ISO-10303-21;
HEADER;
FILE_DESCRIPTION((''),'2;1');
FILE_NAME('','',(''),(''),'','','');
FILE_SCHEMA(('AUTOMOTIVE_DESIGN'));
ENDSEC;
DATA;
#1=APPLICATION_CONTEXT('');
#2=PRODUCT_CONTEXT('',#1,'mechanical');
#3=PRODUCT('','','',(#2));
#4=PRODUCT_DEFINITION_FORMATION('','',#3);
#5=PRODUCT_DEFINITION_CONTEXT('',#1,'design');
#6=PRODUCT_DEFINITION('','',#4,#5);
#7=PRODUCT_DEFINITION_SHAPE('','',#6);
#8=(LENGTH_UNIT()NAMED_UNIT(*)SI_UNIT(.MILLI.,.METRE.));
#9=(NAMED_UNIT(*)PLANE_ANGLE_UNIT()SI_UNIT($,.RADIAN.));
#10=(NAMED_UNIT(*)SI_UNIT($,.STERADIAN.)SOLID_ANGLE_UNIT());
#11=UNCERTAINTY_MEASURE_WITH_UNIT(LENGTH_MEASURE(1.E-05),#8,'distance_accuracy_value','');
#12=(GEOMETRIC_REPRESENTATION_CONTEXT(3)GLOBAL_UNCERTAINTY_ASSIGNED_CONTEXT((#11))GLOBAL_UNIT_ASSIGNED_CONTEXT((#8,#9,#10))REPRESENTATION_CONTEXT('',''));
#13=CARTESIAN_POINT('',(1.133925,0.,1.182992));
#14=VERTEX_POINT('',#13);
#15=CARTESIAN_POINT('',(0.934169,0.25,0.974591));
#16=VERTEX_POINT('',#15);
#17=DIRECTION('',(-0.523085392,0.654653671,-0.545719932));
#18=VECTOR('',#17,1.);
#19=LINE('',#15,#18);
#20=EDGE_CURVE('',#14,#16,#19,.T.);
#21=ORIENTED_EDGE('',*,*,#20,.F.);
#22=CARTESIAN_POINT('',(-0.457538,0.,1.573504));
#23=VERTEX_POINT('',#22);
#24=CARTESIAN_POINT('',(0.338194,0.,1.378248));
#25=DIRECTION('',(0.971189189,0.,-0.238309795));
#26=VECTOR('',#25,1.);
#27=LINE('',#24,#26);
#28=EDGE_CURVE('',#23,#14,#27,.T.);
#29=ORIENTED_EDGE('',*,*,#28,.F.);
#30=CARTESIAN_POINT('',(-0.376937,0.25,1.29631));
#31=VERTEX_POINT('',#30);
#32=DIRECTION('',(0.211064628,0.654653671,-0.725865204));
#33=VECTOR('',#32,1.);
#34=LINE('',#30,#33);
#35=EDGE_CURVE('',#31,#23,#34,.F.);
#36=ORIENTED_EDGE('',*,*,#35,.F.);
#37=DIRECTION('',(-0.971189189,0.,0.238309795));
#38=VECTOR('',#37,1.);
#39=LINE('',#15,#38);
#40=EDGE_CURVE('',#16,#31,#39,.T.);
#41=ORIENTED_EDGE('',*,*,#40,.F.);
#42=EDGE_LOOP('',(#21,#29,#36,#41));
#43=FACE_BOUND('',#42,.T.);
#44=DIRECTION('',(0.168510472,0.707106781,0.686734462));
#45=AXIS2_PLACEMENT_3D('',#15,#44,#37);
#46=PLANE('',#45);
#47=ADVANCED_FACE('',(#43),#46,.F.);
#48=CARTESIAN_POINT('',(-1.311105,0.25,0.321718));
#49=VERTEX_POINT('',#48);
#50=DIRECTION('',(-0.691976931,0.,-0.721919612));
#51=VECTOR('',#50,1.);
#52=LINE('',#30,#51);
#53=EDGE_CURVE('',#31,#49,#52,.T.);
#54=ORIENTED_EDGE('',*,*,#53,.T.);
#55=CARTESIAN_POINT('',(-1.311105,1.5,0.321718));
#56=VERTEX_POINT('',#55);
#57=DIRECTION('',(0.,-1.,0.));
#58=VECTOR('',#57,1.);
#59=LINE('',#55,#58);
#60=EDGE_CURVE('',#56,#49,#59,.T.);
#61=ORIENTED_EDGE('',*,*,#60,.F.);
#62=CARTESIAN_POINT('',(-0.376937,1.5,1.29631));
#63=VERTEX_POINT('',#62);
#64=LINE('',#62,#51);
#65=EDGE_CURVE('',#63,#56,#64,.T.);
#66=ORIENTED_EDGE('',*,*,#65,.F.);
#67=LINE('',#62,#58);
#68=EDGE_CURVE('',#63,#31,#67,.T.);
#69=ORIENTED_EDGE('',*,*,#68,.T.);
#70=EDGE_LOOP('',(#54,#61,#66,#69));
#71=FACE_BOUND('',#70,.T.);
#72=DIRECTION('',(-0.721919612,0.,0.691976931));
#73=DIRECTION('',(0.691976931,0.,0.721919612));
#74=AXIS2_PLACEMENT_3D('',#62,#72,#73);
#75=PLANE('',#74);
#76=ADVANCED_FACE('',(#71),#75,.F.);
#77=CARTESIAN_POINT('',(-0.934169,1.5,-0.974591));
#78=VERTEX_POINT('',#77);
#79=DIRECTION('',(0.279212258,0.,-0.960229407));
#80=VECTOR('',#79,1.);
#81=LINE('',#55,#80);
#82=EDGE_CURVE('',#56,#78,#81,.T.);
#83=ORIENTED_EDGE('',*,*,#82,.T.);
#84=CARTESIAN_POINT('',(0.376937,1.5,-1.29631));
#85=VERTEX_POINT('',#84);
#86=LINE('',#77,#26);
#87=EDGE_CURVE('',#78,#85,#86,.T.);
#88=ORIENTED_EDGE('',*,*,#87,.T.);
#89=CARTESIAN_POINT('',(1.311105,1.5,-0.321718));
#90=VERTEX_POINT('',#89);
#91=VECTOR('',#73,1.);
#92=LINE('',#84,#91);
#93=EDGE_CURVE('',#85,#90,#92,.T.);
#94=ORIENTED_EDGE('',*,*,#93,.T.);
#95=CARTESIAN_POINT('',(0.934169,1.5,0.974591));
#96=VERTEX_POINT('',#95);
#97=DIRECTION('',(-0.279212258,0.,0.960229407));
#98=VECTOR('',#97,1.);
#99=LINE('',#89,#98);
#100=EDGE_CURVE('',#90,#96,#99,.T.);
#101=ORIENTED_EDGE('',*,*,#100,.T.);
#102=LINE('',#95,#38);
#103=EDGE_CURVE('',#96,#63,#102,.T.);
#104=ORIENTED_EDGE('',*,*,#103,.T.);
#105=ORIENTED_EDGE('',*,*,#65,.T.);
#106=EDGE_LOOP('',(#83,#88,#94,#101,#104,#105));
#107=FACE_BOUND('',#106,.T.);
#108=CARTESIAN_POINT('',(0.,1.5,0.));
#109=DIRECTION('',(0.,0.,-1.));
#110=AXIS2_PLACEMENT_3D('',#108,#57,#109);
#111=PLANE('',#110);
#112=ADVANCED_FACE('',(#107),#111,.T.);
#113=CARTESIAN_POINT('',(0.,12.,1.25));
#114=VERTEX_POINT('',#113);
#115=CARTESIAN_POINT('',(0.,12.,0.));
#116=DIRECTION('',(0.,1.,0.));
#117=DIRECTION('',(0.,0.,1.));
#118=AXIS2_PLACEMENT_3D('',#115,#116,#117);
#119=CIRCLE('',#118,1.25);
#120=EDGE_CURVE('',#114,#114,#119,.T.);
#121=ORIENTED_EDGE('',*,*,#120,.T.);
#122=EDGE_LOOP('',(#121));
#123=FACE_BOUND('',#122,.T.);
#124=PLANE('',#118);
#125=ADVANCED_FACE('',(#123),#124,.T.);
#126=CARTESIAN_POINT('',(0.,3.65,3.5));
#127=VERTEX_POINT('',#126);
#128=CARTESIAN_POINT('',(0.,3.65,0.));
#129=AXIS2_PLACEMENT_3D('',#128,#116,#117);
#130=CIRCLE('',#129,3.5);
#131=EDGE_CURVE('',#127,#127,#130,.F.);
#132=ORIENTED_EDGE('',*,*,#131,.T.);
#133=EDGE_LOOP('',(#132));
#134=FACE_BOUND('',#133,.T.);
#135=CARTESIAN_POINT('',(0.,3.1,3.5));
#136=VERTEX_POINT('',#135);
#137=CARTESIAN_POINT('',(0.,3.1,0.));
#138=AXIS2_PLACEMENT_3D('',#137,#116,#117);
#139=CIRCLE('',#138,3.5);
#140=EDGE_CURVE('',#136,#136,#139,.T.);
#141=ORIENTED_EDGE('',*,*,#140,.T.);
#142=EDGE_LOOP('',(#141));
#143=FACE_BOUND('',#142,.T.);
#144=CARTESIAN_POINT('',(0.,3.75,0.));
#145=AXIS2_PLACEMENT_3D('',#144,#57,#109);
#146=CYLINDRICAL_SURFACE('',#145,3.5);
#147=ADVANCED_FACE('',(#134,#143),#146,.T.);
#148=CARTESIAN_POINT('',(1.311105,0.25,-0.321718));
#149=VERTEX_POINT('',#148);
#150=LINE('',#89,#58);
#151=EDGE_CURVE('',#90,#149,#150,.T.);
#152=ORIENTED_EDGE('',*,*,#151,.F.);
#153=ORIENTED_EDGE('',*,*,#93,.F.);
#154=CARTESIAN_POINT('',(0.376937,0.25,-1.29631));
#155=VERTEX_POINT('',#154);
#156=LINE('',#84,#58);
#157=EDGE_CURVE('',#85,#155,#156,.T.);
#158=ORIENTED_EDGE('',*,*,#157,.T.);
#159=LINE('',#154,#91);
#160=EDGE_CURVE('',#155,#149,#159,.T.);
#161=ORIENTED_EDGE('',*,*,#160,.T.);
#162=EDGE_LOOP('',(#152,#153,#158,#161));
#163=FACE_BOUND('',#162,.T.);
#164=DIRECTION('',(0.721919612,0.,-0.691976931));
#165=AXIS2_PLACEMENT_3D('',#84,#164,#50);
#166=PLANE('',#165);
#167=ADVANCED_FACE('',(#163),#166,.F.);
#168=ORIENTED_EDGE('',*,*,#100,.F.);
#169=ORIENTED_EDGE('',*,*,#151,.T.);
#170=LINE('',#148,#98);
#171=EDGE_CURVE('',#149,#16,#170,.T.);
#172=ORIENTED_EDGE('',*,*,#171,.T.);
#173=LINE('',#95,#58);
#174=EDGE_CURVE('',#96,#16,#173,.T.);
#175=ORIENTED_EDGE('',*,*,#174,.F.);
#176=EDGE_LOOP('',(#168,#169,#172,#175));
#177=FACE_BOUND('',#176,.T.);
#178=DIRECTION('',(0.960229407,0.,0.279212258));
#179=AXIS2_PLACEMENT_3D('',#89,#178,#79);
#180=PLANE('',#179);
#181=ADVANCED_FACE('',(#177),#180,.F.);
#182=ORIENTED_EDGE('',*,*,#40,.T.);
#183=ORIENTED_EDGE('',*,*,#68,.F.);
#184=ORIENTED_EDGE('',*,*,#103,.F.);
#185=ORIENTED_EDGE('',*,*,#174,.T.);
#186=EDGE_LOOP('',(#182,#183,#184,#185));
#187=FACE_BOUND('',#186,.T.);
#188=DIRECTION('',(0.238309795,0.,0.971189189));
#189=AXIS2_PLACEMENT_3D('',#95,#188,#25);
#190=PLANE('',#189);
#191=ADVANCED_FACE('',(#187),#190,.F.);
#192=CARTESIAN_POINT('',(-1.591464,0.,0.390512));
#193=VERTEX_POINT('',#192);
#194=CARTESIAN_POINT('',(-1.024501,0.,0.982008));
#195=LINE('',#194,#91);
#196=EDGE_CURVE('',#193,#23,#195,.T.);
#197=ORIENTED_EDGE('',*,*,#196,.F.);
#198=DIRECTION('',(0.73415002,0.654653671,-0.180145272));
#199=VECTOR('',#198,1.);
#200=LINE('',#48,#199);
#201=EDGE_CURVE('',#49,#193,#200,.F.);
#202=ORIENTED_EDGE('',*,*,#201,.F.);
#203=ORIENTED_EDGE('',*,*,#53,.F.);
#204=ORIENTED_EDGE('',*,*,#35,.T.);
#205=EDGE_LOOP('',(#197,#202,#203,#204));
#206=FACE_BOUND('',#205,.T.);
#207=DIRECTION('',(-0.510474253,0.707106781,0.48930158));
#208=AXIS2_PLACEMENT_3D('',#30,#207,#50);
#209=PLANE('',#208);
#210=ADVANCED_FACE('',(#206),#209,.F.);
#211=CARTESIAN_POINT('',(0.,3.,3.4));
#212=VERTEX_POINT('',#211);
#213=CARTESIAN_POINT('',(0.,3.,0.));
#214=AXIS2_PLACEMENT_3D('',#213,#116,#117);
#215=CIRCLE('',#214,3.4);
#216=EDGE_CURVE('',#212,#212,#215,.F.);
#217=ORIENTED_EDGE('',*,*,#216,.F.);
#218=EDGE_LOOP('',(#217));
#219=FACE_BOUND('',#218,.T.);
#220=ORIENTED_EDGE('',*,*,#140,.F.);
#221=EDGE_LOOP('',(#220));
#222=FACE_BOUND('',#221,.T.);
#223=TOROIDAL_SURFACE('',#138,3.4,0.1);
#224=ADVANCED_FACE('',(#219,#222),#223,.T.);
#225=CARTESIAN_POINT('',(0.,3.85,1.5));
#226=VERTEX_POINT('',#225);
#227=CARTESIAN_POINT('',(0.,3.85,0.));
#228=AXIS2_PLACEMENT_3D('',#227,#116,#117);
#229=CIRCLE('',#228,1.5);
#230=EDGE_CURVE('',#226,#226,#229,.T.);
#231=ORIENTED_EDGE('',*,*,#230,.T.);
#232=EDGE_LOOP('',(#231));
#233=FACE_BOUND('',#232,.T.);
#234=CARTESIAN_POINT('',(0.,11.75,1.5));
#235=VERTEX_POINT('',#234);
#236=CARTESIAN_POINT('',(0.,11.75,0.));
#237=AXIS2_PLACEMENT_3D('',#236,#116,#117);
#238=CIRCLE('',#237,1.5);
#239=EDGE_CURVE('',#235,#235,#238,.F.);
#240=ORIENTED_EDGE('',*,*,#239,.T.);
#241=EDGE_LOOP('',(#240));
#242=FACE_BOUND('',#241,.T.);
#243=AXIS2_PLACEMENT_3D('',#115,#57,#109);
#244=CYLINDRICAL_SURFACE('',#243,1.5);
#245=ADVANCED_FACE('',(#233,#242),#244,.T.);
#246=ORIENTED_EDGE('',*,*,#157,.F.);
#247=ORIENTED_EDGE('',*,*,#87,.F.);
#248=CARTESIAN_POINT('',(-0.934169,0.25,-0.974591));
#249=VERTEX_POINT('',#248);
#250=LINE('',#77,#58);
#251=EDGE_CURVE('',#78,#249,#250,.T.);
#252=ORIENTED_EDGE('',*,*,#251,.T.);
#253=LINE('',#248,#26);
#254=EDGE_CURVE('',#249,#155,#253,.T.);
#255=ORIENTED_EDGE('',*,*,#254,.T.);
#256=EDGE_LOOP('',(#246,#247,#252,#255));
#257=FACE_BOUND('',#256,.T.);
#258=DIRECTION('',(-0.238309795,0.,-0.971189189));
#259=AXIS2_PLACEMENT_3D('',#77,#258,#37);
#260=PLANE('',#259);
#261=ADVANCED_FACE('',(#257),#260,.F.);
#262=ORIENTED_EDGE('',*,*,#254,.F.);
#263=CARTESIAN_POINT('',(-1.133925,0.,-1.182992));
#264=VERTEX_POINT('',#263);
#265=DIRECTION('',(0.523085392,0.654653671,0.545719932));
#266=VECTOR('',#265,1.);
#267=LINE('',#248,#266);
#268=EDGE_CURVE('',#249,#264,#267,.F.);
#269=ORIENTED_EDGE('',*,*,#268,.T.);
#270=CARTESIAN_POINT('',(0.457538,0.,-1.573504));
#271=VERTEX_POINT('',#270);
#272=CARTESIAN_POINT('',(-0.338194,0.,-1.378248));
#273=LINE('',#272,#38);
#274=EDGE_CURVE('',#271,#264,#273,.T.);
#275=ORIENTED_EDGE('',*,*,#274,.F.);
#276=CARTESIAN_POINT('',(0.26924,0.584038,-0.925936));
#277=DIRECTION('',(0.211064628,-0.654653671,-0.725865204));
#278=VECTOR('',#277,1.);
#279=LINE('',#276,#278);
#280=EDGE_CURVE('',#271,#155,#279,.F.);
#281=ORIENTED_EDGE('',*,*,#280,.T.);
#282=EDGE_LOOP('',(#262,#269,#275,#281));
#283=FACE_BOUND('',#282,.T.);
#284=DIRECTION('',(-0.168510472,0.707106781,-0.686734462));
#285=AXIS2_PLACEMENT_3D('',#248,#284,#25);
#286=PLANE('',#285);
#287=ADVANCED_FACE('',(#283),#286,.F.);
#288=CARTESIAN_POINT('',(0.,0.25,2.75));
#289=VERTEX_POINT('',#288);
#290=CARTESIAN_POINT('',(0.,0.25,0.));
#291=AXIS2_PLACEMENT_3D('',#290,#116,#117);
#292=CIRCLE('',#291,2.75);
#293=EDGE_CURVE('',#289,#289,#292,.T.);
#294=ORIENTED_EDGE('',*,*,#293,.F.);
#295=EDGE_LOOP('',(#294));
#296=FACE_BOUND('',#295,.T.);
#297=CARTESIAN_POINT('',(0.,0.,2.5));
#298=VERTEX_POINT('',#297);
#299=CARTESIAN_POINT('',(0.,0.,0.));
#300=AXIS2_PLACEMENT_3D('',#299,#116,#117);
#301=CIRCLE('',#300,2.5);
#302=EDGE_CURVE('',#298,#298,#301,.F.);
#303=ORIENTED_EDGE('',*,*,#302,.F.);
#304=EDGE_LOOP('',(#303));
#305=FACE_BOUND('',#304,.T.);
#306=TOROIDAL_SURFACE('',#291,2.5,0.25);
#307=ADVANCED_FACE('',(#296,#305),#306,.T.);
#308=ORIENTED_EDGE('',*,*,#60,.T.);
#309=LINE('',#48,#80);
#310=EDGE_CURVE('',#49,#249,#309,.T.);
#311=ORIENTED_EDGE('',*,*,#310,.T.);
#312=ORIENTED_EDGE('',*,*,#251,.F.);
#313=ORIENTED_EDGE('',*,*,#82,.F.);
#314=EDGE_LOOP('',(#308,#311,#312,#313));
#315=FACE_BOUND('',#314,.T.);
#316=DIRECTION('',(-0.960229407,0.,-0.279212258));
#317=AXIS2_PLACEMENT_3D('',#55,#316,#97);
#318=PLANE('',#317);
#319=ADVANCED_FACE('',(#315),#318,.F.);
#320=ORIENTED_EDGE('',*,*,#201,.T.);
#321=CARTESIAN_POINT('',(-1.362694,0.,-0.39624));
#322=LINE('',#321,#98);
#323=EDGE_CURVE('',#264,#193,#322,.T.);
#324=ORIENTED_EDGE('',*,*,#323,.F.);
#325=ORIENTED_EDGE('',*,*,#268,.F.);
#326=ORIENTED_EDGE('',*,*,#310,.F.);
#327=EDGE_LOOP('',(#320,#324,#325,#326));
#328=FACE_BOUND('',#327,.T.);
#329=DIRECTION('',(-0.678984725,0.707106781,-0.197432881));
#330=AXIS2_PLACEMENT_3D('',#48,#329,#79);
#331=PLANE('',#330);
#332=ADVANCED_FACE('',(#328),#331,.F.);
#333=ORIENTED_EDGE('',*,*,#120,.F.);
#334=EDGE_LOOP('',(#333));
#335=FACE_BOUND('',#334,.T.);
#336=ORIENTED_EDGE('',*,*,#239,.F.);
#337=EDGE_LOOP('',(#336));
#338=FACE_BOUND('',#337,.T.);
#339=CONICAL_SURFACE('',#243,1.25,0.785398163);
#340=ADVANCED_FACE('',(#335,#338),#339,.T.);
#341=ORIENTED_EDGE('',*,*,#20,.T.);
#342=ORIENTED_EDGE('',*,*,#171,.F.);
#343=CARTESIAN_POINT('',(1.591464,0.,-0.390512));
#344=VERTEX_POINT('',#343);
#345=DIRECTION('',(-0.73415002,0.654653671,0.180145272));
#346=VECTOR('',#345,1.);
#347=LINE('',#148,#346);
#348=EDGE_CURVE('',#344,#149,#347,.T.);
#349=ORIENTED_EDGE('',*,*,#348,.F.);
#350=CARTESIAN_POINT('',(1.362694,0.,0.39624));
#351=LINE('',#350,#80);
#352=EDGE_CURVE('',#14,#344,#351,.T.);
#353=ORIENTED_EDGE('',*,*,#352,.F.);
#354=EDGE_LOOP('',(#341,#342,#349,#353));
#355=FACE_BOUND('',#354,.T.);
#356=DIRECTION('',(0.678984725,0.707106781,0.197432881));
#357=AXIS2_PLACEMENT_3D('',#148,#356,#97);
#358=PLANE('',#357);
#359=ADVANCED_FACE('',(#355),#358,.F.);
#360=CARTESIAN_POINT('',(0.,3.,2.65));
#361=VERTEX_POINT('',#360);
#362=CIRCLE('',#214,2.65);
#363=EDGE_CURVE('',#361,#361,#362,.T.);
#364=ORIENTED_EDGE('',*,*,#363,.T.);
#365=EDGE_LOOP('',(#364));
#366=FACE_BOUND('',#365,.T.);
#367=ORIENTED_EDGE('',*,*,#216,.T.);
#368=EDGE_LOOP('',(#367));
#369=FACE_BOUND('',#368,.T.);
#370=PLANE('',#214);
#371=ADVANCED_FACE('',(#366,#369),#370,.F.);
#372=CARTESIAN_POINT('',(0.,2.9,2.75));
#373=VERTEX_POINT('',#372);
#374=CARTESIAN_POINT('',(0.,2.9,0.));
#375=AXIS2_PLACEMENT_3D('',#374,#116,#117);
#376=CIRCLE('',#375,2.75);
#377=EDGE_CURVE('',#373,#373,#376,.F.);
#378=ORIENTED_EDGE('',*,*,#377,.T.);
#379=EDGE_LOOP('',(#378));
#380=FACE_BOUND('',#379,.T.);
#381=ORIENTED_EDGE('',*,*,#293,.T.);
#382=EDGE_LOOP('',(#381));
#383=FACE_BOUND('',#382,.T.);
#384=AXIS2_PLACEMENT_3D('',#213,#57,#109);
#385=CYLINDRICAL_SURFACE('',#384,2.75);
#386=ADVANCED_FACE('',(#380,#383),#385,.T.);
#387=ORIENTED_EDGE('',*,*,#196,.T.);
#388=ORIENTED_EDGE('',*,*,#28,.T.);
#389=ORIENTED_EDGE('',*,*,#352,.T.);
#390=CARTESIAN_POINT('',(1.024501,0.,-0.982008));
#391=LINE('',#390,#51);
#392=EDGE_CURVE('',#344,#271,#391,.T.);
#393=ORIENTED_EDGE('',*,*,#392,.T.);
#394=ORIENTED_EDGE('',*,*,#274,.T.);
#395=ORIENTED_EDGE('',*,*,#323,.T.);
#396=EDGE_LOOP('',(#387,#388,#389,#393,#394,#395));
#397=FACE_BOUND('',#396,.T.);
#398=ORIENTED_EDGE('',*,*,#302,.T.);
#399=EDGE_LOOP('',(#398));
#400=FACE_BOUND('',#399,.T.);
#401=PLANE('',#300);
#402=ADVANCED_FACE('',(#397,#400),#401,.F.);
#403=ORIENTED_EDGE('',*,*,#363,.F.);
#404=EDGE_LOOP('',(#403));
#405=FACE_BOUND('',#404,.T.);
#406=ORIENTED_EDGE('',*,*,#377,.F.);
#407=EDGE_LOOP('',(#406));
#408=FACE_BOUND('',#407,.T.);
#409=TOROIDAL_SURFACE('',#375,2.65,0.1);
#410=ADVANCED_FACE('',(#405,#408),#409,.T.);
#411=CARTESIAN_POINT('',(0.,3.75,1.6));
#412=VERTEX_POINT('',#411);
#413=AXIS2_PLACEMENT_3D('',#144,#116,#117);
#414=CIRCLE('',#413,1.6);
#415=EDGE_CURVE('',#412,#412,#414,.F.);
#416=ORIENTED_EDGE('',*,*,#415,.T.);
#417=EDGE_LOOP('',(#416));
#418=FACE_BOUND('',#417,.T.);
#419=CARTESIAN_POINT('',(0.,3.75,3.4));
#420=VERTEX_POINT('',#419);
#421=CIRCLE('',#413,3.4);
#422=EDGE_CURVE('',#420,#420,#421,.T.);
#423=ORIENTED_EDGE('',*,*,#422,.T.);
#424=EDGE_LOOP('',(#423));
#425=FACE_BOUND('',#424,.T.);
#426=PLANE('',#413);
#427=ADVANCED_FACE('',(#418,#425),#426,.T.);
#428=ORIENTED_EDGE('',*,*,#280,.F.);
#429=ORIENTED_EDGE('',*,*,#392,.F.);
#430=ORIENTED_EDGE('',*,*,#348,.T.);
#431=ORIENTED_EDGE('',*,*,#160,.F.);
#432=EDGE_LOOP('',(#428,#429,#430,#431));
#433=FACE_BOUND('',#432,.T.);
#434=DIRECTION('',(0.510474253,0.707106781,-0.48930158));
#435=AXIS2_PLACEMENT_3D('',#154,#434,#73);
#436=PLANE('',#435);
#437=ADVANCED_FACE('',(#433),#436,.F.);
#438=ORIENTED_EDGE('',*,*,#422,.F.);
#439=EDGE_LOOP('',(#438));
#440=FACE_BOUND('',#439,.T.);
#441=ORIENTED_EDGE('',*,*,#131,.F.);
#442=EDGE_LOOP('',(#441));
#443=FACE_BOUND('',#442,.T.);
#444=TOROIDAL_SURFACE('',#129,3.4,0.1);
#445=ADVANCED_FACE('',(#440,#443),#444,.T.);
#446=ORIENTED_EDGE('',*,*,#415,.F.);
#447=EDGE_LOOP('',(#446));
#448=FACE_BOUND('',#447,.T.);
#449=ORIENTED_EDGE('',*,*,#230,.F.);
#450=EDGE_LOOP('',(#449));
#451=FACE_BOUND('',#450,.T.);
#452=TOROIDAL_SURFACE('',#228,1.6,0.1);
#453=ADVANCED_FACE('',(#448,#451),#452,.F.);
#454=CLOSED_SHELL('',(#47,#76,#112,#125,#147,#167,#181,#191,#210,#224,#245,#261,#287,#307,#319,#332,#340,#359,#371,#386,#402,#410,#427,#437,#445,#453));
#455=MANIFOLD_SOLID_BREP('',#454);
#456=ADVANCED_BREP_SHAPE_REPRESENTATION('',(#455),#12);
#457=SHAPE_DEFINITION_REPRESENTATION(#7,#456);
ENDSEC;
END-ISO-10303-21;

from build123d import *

# Parameters (mm, degrees)
SKETCH1_R           = 2.75
BOSS_EXTRUDE1_DEPTH = 3
SKETCH2_R           = 1.5
BOSS_EXTRUDE2_DEPTH = 9
CUT_EXTRUDE1_DEPTH  = 1.5
CHAMFER1_SIZE       = 0.25
FILLET1_R           = 0.25
CHAMFER2_SIZE       = 0.25
FILLET2_R           = 0.1
SKETCH4_R           = 3.5
SKETCH4_R_2         = 1.5
BOSS_EXTRUDE3_DEPTH = 0.75
FILLET3_R           = 0.1


with BuildPart() as part:
    # Sketch1 → Boss-Extrude1 (new body)
    with BuildSketch(Plane(origin=(0, 0, 0), x_dir=(1, 0, 0), z_dir=(0, 1, 0))):
        with Locations(Location((0, 0, 0), (0, 0, 270))):
            Circle(SKETCH1_R)
    extrude(amount=BOSS_EXTRUDE1_DEPTH)

    # Sketch2 → Boss-Extrude2 (add)
    with BuildSketch(Plane(origin=(0, 3, 0), x_dir=(1, 0, 0), z_dir=(0, 1, 0))):
        with Locations(Location((0, 0, 0), (0, 0, 270))):
            Circle(SKETCH2_R)
    extrude(amount=BOSS_EXTRUDE2_DEPTH)

    # Sketch3 → Cut-Extrude1 (cut)
    with BuildSketch(Plane.XZ):
        Polygon((0.934168857, 0.974591477), (-0.376936549, 1.2963097), (-1.311105406, 0.321718223), (-0.934168857, -0.974591477), (0.376936549, -1.2963097), (1.311105406, -0.321718223), align=None)
    extrude(amount=-CUT_EXTRUDE1_DEPTH, mode=Mode.SUBTRACT)

    # Chamfer1
    chamfer1_edges = [part.edges().sort_by_distance(p)[0] for p in [
        (1.122637131, 0, 0.326436627),
        (0.278616154, 0, 1.135450588),
        (-0.844020977, 0, 0.809013962),
        (-1.122637131, 0, -0.326436627),
        (-0.278616154, 0, -1.135450588),
        (0.844020977, 0, -0.809013962),
    ]]
    chamfer(chamfer1_edges, length=CHAMFER1_SIZE)

    # Fillet1
    fillet1_edges = [part.edges().sort_by_distance(p)[0] for p in [
        (0, 0, -2.75),
    ]]
    fillet(fillet1_edges, radius=FILLET1_R)

    # Chamfer2
    chamfer2_edges = [part.edges().sort_by_distance(p)[0] for p in [
        (0, 12, -1.5),
    ]]
    chamfer(chamfer2_edges, length=CHAMFER2_SIZE)

    # Fillet2
    fillet2_edges = [part.edges().sort_by_distance(p)[0] for p in [
        (0, 3, -2.75),
    ]]
    fillet(fillet2_edges, radius=FILLET2_R)

    # Sketch4 → Boss-Extrude3 (add)
    with BuildSketch(Plane(origin=(0, 3, 0), x_dir=(1, 0, 0), z_dir=(0, 1, 0))):
        with Locations(Location((0, 0, 0), (0, 0, 270))):
            Circle(SKETCH4_R)
        with Locations(Location((0, 0, 0), (0, 0, 270))):
            Circle(SKETCH4_R_2, mode=Mode.SUBTRACT)
    extrude(amount=BOSS_EXTRUDE3_DEPTH)

    # Fillet3
    fillet3_edges = [part.edges().sort_by_distance(p)[0] for p in [
        (0, 3.75, -3.5),
        (0, 3, -3.5),
        (0, 3.75, -1.5),
    ]]
    fillet(fillet3_edges, radius=FILLET3_R)


solid = part.part
